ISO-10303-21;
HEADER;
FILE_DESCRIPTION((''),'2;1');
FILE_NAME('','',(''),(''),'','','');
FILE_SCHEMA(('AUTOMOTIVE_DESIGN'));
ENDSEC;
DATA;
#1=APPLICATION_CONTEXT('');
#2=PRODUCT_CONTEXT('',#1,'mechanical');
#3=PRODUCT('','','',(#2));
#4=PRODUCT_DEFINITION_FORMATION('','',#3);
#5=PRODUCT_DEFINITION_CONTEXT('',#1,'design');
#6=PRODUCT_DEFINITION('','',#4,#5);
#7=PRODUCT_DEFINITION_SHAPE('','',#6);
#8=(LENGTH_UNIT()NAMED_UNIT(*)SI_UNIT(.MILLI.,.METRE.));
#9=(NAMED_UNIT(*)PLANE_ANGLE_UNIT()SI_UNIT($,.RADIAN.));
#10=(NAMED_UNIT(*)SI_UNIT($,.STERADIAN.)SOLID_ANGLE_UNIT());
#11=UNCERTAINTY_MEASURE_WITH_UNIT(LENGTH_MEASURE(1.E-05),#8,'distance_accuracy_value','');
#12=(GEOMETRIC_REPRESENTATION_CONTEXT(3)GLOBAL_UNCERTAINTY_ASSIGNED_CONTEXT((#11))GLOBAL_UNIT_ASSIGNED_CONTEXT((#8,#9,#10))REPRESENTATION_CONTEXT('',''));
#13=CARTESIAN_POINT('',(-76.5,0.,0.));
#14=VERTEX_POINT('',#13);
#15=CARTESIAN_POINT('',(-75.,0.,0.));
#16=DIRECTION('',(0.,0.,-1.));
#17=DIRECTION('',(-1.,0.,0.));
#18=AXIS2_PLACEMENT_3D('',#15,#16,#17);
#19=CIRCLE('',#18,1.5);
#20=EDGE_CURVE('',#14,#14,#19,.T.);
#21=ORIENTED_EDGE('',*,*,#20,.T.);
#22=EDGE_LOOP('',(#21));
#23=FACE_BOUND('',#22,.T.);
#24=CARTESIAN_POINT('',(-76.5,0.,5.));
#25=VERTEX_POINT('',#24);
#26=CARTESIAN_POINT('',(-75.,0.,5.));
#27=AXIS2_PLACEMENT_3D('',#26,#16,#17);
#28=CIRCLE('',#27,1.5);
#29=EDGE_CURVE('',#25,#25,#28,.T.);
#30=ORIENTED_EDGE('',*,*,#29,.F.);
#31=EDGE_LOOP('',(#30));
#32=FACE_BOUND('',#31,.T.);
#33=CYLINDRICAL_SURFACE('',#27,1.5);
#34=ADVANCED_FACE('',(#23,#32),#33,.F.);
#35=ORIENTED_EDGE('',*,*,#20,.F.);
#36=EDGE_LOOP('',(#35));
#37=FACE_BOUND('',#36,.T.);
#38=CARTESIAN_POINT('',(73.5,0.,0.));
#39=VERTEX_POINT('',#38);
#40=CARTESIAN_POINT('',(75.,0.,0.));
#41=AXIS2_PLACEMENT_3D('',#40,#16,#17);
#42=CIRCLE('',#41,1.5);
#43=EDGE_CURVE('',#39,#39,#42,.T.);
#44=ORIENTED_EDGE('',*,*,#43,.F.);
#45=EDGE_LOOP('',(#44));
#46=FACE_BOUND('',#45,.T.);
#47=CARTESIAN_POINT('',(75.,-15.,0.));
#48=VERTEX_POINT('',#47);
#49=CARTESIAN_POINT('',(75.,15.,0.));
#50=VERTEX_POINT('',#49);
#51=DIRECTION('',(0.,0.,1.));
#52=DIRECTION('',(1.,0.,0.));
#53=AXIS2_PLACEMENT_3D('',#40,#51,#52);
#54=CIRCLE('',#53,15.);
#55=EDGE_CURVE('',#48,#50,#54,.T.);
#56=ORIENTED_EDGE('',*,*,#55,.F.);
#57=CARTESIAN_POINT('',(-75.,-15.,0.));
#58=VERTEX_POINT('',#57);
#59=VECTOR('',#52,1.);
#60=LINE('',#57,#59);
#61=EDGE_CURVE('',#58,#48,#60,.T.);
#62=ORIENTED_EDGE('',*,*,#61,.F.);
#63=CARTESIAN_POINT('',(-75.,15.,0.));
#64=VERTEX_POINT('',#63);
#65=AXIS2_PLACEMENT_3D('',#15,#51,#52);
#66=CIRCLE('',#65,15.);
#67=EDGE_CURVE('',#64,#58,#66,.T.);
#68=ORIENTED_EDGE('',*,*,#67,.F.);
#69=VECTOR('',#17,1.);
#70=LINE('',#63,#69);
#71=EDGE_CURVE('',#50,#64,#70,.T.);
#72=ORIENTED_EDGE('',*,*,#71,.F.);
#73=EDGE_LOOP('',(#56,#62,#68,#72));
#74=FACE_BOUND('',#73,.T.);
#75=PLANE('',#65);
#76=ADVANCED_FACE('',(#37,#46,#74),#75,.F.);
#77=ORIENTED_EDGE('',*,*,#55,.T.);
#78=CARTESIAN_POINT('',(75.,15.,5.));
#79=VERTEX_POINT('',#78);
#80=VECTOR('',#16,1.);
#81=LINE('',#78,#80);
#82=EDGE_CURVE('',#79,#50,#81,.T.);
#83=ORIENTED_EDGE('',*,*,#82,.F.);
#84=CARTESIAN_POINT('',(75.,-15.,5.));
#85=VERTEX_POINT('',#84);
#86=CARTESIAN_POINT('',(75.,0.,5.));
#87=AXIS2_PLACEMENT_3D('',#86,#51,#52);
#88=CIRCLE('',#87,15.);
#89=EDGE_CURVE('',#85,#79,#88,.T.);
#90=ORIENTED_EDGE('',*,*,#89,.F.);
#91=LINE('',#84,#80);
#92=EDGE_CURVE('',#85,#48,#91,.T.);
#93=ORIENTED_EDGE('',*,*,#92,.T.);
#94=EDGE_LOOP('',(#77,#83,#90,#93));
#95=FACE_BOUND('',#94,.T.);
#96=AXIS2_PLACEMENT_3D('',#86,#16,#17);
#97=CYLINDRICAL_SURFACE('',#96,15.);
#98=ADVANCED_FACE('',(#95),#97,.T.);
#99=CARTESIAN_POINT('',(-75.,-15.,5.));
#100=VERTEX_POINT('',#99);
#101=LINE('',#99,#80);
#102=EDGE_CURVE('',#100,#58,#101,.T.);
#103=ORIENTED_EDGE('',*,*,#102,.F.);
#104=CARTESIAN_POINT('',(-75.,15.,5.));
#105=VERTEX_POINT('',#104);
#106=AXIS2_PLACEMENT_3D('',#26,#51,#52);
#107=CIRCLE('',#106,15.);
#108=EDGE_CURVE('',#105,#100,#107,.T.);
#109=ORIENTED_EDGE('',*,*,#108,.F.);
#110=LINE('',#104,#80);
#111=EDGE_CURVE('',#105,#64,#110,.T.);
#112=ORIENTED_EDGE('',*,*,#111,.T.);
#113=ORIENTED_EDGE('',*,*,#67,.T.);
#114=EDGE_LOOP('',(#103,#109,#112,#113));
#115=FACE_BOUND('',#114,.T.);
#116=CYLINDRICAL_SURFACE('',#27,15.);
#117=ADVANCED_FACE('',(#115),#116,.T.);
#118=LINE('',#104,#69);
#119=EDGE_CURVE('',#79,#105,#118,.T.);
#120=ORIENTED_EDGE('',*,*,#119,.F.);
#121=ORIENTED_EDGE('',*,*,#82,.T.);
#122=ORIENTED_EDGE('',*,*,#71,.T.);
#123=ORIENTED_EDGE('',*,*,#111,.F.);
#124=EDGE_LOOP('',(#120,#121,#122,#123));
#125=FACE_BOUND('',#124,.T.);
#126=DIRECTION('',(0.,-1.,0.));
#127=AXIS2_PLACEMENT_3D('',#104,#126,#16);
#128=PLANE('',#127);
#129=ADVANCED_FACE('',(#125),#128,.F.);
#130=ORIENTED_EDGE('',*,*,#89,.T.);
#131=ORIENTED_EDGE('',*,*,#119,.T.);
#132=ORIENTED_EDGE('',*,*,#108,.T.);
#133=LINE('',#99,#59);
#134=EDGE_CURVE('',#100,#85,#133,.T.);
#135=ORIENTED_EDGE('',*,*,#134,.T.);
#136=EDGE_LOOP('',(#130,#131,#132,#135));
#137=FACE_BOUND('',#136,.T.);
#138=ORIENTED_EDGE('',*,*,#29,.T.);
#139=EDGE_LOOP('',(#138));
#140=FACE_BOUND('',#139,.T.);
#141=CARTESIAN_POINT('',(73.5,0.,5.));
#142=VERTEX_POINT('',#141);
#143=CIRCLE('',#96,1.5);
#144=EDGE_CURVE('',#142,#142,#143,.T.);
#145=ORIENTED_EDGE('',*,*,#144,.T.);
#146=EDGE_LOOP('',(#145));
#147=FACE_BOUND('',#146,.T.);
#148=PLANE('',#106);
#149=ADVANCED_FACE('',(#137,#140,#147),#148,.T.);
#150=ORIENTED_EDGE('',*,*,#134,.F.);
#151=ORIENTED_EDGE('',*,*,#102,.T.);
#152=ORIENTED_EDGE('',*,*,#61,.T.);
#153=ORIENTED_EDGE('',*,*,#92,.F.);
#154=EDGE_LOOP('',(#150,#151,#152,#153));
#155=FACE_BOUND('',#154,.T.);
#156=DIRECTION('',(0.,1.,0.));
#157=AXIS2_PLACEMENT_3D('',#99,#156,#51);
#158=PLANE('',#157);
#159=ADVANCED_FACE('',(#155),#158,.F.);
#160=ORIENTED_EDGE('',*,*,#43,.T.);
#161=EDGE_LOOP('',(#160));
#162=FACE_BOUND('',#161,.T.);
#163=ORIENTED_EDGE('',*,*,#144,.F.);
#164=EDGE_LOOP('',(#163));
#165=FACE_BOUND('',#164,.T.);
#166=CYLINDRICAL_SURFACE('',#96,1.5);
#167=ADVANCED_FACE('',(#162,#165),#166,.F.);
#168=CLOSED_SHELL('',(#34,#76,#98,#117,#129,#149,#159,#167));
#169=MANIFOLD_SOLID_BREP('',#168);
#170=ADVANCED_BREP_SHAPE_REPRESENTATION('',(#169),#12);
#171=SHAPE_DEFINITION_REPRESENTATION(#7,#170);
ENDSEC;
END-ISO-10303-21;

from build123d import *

# Parameters (mm, degrees)
BOSS_EXTRUDE1_DEPTH = 5
SKETCH4_R           = 1.5
CUT_EXTRUDE1_DEPTH  = 5


with BuildPart() as part:
    # Sketch2 → Boss-Extrude1 (new body)
    with BuildSketch(Plane.XY):
        with BuildLine():
            Line((-75, 15), (75, 15))
            ThreePointArc((75, 15), (90, 0), (75, -15))
            Line((75, -15), (-75, -15))
            ThreePointArc((-75, -15), (-90, 0), (-75, 15))
        make_face()
    extrude(amount=BOSS_EXTRUDE1_DEPTH)

    # Sketch4 → Cut-Extrude1 (cut)
    with BuildSketch(Plane(origin=(0, 0, 0), x_dir=(-1, 0, 0), z_dir=(0, 0, -1))):
        with Locations((-75, 0)):
            Circle(SKETCH4_R)
        with Locations((75, 0)):
            Circle(SKETCH4_R)
    extrude(amount=-CUT_EXTRUDE1_DEPTH, mode=Mode.SUBTRACT)


solid = part.part
